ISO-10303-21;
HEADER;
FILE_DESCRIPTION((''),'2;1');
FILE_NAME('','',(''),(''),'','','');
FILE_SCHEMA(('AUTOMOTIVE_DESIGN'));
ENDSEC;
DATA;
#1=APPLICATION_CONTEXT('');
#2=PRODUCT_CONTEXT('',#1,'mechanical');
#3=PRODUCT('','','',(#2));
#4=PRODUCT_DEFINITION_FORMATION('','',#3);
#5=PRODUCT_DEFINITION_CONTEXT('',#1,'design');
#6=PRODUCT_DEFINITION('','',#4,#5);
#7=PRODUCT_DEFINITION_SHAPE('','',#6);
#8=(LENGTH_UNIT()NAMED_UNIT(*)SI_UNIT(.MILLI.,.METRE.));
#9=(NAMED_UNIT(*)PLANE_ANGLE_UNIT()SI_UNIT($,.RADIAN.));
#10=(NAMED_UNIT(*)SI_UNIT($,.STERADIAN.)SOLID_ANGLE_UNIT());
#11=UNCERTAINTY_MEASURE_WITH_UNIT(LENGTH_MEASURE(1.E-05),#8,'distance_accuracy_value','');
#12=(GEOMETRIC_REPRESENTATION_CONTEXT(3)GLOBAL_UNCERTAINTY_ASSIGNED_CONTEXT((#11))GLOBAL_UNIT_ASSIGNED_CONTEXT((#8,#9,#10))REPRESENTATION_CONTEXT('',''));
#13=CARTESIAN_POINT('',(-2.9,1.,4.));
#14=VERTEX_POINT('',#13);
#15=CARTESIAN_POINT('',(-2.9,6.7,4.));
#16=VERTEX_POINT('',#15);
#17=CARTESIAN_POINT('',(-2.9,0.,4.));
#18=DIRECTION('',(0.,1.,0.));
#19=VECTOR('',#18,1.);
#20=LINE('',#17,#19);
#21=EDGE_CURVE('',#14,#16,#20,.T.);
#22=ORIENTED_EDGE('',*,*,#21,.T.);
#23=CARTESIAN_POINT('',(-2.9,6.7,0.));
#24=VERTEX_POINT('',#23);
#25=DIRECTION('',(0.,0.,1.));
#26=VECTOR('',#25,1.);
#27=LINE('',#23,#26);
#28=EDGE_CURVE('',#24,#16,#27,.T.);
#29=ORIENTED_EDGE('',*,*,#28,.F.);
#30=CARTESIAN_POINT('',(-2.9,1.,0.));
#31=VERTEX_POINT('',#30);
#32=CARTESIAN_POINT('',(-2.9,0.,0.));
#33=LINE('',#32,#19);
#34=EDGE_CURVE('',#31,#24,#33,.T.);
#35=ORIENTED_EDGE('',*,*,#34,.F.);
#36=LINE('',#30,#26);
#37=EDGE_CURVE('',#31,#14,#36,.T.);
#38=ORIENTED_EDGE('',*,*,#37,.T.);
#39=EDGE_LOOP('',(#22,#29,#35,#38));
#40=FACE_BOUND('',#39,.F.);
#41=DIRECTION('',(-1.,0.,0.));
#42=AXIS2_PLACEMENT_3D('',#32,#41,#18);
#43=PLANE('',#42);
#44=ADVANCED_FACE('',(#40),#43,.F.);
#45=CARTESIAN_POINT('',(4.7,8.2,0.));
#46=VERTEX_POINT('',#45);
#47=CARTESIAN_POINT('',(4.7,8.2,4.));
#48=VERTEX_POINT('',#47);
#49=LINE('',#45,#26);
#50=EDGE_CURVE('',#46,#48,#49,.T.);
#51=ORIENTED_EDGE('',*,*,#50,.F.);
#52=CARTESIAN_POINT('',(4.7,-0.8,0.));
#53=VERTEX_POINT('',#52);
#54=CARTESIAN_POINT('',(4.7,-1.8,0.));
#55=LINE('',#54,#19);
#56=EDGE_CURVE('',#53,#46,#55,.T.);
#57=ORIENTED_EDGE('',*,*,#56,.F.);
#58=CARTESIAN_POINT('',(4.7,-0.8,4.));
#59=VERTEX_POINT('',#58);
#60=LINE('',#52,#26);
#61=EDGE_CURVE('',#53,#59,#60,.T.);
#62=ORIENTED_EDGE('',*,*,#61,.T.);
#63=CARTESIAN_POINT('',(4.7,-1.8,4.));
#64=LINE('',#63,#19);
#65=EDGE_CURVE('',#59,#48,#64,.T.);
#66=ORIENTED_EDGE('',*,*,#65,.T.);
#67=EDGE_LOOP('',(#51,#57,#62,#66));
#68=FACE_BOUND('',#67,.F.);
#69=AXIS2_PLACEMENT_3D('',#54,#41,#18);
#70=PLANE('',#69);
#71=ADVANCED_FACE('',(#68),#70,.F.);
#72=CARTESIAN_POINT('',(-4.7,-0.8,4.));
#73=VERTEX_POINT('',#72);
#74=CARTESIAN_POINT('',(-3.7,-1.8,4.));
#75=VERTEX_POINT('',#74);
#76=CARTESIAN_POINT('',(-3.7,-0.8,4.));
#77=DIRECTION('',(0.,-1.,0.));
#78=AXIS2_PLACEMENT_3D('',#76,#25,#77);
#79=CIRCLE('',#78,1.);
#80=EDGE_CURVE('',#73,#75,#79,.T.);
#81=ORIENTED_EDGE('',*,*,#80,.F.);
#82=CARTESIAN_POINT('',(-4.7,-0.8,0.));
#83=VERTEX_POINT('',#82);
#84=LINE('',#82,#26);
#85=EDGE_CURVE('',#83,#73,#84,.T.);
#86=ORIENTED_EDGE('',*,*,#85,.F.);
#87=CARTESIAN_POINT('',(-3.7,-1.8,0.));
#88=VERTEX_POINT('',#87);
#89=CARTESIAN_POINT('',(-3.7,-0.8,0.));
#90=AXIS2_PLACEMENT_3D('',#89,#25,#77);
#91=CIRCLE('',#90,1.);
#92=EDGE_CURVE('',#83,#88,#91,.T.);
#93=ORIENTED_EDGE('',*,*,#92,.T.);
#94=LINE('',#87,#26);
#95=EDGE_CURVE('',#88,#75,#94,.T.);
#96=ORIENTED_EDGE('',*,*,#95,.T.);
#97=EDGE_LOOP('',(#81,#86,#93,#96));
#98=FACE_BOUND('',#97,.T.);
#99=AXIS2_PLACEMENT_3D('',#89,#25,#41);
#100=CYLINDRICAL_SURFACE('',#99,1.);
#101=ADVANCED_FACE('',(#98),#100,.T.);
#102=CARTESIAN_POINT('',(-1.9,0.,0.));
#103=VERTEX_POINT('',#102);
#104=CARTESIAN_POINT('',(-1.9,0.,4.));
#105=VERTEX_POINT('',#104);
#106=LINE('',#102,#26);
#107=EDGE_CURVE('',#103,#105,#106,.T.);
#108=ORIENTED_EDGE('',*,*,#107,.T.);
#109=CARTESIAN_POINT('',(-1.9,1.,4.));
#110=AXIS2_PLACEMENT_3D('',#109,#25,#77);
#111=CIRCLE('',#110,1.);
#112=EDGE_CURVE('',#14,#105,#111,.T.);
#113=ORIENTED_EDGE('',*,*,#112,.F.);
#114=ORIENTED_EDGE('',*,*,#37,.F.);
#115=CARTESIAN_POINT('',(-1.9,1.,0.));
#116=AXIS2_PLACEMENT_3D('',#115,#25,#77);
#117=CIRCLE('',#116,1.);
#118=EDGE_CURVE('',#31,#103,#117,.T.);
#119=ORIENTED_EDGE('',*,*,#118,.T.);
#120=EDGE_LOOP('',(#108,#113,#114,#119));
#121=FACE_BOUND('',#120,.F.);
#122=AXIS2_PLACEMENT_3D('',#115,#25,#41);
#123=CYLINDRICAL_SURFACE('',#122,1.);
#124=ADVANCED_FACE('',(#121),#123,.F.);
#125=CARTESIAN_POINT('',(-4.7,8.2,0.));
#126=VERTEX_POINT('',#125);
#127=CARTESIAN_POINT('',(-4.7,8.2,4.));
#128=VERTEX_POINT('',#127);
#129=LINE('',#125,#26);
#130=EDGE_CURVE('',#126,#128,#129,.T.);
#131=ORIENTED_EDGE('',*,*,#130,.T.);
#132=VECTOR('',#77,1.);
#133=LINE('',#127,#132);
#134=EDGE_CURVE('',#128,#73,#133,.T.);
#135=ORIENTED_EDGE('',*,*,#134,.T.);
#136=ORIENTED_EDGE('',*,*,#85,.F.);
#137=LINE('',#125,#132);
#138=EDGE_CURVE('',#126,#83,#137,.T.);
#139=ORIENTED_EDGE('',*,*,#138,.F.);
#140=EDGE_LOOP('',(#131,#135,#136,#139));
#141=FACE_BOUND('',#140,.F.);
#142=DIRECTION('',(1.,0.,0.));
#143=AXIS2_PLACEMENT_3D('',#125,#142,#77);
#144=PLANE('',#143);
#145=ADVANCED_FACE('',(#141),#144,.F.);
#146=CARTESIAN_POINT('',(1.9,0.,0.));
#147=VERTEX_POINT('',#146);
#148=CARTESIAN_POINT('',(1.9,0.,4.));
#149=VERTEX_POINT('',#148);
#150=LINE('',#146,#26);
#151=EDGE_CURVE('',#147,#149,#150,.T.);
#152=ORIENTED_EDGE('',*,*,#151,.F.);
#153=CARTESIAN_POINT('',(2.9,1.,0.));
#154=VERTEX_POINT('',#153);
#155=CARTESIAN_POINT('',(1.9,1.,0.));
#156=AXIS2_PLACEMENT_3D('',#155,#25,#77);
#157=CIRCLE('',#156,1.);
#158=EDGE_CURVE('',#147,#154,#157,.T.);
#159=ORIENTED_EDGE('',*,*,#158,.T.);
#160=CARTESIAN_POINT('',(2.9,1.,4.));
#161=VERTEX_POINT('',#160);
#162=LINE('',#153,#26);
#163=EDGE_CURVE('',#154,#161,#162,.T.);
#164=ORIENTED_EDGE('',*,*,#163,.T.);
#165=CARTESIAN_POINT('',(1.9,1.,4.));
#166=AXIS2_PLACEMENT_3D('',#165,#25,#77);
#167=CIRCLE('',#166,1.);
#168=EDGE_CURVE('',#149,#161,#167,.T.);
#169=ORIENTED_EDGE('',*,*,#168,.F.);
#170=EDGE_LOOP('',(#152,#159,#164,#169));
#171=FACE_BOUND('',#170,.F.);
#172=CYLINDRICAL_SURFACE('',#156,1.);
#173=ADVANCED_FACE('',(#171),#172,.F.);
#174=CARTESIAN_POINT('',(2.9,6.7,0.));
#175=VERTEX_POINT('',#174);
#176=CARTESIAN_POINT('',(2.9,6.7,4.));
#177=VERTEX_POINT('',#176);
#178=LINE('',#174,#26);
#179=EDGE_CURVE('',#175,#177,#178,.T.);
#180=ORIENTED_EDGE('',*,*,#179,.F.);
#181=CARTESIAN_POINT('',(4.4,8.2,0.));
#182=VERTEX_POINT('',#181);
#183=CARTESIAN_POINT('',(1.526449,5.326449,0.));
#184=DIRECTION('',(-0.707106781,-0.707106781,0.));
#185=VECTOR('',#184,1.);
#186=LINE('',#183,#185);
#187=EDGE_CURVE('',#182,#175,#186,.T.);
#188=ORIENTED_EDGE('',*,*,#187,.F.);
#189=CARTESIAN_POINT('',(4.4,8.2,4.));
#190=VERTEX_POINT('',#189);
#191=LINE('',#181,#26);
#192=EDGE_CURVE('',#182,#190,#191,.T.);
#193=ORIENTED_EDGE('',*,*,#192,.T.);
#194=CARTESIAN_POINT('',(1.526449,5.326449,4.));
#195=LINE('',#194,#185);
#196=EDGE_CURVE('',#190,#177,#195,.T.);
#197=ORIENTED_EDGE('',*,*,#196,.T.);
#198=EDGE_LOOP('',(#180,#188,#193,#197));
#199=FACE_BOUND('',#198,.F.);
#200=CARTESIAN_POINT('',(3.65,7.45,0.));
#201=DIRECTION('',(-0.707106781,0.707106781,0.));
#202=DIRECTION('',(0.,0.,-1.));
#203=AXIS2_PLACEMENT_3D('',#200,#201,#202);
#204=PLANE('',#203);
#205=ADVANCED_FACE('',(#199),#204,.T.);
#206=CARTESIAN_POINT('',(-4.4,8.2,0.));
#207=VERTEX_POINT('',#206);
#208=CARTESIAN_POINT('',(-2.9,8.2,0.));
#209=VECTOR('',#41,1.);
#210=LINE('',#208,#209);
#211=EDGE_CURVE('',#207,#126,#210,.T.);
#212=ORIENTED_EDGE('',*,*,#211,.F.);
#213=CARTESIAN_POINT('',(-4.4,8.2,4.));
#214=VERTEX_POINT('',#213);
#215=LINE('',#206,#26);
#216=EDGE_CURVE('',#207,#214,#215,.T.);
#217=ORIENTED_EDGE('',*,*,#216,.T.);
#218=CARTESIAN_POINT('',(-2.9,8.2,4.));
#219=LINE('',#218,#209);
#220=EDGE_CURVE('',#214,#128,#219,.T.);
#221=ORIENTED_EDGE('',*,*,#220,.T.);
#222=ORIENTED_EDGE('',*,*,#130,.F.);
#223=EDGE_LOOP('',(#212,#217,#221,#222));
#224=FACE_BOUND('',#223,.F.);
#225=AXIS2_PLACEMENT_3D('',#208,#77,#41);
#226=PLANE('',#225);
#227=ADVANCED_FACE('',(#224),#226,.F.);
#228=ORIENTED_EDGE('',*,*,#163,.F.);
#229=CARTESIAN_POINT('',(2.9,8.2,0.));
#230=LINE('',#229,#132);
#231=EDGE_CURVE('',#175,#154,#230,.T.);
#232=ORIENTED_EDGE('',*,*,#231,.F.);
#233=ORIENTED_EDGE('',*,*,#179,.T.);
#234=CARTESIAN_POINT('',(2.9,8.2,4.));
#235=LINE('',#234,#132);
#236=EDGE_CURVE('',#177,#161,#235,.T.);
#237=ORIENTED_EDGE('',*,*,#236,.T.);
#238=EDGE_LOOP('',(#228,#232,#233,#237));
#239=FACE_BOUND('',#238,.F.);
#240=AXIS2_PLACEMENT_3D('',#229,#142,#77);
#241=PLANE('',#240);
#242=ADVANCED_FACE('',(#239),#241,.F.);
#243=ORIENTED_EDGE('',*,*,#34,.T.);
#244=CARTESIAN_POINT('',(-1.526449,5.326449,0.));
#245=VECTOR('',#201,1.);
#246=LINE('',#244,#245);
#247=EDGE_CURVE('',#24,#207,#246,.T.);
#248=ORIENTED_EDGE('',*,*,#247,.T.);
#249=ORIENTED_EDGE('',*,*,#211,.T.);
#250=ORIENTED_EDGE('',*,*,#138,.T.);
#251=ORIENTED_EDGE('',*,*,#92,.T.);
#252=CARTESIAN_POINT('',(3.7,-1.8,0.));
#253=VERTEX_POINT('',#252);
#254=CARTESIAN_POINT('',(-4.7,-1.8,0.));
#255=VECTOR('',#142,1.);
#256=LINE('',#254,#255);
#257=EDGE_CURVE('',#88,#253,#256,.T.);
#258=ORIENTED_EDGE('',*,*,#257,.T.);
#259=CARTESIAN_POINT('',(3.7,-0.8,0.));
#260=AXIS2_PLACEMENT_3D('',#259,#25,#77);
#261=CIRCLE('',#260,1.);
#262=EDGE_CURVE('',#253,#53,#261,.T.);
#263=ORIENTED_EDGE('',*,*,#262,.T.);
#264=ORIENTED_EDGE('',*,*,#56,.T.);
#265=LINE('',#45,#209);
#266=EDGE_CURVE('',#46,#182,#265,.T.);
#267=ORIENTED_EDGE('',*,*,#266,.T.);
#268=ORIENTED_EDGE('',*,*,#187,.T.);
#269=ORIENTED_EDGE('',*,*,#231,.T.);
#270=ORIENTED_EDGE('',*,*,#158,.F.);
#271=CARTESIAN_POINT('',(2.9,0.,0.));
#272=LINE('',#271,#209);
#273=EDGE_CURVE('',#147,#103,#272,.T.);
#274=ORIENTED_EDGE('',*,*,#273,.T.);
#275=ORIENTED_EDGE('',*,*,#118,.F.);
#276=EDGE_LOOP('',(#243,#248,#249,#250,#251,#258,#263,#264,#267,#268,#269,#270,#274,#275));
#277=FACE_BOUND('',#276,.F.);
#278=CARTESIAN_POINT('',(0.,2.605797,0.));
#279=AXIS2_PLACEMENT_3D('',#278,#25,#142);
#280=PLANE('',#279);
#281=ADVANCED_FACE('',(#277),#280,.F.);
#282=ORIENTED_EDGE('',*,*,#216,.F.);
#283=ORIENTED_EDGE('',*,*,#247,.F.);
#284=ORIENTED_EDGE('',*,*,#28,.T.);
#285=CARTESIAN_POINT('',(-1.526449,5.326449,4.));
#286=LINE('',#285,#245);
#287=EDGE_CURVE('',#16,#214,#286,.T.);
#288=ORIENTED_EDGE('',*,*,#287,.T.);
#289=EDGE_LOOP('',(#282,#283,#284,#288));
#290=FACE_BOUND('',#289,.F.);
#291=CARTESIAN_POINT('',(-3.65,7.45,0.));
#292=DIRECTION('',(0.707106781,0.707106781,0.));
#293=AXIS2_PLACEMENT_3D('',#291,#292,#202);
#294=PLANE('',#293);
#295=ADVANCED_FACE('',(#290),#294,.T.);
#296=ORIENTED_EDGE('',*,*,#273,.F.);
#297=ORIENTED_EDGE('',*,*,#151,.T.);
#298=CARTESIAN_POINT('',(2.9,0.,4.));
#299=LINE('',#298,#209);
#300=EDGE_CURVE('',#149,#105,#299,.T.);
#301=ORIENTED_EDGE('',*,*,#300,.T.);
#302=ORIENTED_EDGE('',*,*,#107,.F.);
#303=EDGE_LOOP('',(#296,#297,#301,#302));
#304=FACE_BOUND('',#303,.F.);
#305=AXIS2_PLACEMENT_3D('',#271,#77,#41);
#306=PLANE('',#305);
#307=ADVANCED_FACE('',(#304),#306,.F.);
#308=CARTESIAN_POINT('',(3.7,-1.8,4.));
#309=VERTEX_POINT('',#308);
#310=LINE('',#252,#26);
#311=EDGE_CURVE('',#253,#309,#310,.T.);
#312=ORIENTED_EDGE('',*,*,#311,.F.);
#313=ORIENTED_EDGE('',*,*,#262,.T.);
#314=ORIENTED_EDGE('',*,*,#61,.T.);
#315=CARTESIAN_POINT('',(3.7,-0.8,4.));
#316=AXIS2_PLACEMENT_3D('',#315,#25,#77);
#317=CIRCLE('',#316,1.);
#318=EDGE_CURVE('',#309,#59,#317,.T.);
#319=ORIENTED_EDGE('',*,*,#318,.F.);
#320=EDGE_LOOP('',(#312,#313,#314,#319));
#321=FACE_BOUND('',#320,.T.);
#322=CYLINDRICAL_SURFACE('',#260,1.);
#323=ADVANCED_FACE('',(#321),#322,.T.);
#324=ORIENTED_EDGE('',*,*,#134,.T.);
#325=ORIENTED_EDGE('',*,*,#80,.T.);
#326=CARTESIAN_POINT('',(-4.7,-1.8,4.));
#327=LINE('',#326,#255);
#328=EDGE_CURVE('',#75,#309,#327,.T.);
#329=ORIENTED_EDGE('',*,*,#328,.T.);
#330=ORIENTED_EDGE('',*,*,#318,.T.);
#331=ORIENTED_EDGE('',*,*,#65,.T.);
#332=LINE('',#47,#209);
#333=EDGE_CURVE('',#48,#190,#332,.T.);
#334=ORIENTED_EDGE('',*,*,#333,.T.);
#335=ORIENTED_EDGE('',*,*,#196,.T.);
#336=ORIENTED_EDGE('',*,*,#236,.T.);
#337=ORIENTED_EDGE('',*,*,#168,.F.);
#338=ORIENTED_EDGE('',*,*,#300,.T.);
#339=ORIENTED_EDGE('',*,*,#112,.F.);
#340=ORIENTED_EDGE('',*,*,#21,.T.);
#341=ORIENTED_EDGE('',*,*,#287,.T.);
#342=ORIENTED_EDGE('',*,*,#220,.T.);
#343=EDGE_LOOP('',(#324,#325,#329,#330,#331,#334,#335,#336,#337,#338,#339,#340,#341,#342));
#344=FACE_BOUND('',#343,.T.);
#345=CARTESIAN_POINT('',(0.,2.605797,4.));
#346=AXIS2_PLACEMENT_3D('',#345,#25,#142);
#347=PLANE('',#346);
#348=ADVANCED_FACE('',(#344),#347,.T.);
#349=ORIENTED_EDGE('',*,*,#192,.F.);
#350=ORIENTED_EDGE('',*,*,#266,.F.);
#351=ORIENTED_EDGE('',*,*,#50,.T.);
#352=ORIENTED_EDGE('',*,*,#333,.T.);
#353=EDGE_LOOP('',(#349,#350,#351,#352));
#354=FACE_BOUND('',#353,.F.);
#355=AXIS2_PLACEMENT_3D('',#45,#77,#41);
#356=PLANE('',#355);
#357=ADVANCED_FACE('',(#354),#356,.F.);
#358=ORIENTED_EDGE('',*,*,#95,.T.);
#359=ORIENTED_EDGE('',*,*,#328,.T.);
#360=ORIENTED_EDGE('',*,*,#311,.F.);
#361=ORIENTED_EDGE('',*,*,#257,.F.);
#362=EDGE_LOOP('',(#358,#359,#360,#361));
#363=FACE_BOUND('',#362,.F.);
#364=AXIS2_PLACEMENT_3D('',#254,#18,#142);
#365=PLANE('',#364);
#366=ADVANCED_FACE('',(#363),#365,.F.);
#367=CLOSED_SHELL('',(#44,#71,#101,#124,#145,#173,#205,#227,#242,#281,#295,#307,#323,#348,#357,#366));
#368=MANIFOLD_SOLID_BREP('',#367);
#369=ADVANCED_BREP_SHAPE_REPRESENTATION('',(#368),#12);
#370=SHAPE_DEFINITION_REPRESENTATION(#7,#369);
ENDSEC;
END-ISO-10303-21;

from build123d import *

# Parameters (mm, degrees)
F1_DEPTH = 4
F2_SIZE  = 1.5
F3_R     = 1


with BuildPart() as f1:
    # F0 (on Top) → F1 (new body)
    with BuildSketch(Plane.XY):
        Polygon((-2.9, 0), (-2.9, 8.2), (-4.7, 8.2), (-4.7, -1.8), (4.7, -1.8), (4.7, 8.2), (2.9, 8.2), (2.9, 0), align=None)
    extrude(amount=F1_DEPTH)

    # F2
    f2_edges = [f1.edges().sort_by_distance(p)[0] for p in [
        (-2.9, 8.2, 2),
        (2.9, 8.2, 2),
    ]]
    chamfer(f2_edges, length=F2_SIZE)

    # F3
    f3_edges = [f1.edges().sort_by_distance(p)[0] for p in [
        (-2.9, 0, 2),
        (2.9, 0, 2),
        (-4.7, -1.8, 2),
        (4.7, -1.8, 2),
    ]]
    fillet(f3_edges, radius=F3_R)


solid = f1.part
